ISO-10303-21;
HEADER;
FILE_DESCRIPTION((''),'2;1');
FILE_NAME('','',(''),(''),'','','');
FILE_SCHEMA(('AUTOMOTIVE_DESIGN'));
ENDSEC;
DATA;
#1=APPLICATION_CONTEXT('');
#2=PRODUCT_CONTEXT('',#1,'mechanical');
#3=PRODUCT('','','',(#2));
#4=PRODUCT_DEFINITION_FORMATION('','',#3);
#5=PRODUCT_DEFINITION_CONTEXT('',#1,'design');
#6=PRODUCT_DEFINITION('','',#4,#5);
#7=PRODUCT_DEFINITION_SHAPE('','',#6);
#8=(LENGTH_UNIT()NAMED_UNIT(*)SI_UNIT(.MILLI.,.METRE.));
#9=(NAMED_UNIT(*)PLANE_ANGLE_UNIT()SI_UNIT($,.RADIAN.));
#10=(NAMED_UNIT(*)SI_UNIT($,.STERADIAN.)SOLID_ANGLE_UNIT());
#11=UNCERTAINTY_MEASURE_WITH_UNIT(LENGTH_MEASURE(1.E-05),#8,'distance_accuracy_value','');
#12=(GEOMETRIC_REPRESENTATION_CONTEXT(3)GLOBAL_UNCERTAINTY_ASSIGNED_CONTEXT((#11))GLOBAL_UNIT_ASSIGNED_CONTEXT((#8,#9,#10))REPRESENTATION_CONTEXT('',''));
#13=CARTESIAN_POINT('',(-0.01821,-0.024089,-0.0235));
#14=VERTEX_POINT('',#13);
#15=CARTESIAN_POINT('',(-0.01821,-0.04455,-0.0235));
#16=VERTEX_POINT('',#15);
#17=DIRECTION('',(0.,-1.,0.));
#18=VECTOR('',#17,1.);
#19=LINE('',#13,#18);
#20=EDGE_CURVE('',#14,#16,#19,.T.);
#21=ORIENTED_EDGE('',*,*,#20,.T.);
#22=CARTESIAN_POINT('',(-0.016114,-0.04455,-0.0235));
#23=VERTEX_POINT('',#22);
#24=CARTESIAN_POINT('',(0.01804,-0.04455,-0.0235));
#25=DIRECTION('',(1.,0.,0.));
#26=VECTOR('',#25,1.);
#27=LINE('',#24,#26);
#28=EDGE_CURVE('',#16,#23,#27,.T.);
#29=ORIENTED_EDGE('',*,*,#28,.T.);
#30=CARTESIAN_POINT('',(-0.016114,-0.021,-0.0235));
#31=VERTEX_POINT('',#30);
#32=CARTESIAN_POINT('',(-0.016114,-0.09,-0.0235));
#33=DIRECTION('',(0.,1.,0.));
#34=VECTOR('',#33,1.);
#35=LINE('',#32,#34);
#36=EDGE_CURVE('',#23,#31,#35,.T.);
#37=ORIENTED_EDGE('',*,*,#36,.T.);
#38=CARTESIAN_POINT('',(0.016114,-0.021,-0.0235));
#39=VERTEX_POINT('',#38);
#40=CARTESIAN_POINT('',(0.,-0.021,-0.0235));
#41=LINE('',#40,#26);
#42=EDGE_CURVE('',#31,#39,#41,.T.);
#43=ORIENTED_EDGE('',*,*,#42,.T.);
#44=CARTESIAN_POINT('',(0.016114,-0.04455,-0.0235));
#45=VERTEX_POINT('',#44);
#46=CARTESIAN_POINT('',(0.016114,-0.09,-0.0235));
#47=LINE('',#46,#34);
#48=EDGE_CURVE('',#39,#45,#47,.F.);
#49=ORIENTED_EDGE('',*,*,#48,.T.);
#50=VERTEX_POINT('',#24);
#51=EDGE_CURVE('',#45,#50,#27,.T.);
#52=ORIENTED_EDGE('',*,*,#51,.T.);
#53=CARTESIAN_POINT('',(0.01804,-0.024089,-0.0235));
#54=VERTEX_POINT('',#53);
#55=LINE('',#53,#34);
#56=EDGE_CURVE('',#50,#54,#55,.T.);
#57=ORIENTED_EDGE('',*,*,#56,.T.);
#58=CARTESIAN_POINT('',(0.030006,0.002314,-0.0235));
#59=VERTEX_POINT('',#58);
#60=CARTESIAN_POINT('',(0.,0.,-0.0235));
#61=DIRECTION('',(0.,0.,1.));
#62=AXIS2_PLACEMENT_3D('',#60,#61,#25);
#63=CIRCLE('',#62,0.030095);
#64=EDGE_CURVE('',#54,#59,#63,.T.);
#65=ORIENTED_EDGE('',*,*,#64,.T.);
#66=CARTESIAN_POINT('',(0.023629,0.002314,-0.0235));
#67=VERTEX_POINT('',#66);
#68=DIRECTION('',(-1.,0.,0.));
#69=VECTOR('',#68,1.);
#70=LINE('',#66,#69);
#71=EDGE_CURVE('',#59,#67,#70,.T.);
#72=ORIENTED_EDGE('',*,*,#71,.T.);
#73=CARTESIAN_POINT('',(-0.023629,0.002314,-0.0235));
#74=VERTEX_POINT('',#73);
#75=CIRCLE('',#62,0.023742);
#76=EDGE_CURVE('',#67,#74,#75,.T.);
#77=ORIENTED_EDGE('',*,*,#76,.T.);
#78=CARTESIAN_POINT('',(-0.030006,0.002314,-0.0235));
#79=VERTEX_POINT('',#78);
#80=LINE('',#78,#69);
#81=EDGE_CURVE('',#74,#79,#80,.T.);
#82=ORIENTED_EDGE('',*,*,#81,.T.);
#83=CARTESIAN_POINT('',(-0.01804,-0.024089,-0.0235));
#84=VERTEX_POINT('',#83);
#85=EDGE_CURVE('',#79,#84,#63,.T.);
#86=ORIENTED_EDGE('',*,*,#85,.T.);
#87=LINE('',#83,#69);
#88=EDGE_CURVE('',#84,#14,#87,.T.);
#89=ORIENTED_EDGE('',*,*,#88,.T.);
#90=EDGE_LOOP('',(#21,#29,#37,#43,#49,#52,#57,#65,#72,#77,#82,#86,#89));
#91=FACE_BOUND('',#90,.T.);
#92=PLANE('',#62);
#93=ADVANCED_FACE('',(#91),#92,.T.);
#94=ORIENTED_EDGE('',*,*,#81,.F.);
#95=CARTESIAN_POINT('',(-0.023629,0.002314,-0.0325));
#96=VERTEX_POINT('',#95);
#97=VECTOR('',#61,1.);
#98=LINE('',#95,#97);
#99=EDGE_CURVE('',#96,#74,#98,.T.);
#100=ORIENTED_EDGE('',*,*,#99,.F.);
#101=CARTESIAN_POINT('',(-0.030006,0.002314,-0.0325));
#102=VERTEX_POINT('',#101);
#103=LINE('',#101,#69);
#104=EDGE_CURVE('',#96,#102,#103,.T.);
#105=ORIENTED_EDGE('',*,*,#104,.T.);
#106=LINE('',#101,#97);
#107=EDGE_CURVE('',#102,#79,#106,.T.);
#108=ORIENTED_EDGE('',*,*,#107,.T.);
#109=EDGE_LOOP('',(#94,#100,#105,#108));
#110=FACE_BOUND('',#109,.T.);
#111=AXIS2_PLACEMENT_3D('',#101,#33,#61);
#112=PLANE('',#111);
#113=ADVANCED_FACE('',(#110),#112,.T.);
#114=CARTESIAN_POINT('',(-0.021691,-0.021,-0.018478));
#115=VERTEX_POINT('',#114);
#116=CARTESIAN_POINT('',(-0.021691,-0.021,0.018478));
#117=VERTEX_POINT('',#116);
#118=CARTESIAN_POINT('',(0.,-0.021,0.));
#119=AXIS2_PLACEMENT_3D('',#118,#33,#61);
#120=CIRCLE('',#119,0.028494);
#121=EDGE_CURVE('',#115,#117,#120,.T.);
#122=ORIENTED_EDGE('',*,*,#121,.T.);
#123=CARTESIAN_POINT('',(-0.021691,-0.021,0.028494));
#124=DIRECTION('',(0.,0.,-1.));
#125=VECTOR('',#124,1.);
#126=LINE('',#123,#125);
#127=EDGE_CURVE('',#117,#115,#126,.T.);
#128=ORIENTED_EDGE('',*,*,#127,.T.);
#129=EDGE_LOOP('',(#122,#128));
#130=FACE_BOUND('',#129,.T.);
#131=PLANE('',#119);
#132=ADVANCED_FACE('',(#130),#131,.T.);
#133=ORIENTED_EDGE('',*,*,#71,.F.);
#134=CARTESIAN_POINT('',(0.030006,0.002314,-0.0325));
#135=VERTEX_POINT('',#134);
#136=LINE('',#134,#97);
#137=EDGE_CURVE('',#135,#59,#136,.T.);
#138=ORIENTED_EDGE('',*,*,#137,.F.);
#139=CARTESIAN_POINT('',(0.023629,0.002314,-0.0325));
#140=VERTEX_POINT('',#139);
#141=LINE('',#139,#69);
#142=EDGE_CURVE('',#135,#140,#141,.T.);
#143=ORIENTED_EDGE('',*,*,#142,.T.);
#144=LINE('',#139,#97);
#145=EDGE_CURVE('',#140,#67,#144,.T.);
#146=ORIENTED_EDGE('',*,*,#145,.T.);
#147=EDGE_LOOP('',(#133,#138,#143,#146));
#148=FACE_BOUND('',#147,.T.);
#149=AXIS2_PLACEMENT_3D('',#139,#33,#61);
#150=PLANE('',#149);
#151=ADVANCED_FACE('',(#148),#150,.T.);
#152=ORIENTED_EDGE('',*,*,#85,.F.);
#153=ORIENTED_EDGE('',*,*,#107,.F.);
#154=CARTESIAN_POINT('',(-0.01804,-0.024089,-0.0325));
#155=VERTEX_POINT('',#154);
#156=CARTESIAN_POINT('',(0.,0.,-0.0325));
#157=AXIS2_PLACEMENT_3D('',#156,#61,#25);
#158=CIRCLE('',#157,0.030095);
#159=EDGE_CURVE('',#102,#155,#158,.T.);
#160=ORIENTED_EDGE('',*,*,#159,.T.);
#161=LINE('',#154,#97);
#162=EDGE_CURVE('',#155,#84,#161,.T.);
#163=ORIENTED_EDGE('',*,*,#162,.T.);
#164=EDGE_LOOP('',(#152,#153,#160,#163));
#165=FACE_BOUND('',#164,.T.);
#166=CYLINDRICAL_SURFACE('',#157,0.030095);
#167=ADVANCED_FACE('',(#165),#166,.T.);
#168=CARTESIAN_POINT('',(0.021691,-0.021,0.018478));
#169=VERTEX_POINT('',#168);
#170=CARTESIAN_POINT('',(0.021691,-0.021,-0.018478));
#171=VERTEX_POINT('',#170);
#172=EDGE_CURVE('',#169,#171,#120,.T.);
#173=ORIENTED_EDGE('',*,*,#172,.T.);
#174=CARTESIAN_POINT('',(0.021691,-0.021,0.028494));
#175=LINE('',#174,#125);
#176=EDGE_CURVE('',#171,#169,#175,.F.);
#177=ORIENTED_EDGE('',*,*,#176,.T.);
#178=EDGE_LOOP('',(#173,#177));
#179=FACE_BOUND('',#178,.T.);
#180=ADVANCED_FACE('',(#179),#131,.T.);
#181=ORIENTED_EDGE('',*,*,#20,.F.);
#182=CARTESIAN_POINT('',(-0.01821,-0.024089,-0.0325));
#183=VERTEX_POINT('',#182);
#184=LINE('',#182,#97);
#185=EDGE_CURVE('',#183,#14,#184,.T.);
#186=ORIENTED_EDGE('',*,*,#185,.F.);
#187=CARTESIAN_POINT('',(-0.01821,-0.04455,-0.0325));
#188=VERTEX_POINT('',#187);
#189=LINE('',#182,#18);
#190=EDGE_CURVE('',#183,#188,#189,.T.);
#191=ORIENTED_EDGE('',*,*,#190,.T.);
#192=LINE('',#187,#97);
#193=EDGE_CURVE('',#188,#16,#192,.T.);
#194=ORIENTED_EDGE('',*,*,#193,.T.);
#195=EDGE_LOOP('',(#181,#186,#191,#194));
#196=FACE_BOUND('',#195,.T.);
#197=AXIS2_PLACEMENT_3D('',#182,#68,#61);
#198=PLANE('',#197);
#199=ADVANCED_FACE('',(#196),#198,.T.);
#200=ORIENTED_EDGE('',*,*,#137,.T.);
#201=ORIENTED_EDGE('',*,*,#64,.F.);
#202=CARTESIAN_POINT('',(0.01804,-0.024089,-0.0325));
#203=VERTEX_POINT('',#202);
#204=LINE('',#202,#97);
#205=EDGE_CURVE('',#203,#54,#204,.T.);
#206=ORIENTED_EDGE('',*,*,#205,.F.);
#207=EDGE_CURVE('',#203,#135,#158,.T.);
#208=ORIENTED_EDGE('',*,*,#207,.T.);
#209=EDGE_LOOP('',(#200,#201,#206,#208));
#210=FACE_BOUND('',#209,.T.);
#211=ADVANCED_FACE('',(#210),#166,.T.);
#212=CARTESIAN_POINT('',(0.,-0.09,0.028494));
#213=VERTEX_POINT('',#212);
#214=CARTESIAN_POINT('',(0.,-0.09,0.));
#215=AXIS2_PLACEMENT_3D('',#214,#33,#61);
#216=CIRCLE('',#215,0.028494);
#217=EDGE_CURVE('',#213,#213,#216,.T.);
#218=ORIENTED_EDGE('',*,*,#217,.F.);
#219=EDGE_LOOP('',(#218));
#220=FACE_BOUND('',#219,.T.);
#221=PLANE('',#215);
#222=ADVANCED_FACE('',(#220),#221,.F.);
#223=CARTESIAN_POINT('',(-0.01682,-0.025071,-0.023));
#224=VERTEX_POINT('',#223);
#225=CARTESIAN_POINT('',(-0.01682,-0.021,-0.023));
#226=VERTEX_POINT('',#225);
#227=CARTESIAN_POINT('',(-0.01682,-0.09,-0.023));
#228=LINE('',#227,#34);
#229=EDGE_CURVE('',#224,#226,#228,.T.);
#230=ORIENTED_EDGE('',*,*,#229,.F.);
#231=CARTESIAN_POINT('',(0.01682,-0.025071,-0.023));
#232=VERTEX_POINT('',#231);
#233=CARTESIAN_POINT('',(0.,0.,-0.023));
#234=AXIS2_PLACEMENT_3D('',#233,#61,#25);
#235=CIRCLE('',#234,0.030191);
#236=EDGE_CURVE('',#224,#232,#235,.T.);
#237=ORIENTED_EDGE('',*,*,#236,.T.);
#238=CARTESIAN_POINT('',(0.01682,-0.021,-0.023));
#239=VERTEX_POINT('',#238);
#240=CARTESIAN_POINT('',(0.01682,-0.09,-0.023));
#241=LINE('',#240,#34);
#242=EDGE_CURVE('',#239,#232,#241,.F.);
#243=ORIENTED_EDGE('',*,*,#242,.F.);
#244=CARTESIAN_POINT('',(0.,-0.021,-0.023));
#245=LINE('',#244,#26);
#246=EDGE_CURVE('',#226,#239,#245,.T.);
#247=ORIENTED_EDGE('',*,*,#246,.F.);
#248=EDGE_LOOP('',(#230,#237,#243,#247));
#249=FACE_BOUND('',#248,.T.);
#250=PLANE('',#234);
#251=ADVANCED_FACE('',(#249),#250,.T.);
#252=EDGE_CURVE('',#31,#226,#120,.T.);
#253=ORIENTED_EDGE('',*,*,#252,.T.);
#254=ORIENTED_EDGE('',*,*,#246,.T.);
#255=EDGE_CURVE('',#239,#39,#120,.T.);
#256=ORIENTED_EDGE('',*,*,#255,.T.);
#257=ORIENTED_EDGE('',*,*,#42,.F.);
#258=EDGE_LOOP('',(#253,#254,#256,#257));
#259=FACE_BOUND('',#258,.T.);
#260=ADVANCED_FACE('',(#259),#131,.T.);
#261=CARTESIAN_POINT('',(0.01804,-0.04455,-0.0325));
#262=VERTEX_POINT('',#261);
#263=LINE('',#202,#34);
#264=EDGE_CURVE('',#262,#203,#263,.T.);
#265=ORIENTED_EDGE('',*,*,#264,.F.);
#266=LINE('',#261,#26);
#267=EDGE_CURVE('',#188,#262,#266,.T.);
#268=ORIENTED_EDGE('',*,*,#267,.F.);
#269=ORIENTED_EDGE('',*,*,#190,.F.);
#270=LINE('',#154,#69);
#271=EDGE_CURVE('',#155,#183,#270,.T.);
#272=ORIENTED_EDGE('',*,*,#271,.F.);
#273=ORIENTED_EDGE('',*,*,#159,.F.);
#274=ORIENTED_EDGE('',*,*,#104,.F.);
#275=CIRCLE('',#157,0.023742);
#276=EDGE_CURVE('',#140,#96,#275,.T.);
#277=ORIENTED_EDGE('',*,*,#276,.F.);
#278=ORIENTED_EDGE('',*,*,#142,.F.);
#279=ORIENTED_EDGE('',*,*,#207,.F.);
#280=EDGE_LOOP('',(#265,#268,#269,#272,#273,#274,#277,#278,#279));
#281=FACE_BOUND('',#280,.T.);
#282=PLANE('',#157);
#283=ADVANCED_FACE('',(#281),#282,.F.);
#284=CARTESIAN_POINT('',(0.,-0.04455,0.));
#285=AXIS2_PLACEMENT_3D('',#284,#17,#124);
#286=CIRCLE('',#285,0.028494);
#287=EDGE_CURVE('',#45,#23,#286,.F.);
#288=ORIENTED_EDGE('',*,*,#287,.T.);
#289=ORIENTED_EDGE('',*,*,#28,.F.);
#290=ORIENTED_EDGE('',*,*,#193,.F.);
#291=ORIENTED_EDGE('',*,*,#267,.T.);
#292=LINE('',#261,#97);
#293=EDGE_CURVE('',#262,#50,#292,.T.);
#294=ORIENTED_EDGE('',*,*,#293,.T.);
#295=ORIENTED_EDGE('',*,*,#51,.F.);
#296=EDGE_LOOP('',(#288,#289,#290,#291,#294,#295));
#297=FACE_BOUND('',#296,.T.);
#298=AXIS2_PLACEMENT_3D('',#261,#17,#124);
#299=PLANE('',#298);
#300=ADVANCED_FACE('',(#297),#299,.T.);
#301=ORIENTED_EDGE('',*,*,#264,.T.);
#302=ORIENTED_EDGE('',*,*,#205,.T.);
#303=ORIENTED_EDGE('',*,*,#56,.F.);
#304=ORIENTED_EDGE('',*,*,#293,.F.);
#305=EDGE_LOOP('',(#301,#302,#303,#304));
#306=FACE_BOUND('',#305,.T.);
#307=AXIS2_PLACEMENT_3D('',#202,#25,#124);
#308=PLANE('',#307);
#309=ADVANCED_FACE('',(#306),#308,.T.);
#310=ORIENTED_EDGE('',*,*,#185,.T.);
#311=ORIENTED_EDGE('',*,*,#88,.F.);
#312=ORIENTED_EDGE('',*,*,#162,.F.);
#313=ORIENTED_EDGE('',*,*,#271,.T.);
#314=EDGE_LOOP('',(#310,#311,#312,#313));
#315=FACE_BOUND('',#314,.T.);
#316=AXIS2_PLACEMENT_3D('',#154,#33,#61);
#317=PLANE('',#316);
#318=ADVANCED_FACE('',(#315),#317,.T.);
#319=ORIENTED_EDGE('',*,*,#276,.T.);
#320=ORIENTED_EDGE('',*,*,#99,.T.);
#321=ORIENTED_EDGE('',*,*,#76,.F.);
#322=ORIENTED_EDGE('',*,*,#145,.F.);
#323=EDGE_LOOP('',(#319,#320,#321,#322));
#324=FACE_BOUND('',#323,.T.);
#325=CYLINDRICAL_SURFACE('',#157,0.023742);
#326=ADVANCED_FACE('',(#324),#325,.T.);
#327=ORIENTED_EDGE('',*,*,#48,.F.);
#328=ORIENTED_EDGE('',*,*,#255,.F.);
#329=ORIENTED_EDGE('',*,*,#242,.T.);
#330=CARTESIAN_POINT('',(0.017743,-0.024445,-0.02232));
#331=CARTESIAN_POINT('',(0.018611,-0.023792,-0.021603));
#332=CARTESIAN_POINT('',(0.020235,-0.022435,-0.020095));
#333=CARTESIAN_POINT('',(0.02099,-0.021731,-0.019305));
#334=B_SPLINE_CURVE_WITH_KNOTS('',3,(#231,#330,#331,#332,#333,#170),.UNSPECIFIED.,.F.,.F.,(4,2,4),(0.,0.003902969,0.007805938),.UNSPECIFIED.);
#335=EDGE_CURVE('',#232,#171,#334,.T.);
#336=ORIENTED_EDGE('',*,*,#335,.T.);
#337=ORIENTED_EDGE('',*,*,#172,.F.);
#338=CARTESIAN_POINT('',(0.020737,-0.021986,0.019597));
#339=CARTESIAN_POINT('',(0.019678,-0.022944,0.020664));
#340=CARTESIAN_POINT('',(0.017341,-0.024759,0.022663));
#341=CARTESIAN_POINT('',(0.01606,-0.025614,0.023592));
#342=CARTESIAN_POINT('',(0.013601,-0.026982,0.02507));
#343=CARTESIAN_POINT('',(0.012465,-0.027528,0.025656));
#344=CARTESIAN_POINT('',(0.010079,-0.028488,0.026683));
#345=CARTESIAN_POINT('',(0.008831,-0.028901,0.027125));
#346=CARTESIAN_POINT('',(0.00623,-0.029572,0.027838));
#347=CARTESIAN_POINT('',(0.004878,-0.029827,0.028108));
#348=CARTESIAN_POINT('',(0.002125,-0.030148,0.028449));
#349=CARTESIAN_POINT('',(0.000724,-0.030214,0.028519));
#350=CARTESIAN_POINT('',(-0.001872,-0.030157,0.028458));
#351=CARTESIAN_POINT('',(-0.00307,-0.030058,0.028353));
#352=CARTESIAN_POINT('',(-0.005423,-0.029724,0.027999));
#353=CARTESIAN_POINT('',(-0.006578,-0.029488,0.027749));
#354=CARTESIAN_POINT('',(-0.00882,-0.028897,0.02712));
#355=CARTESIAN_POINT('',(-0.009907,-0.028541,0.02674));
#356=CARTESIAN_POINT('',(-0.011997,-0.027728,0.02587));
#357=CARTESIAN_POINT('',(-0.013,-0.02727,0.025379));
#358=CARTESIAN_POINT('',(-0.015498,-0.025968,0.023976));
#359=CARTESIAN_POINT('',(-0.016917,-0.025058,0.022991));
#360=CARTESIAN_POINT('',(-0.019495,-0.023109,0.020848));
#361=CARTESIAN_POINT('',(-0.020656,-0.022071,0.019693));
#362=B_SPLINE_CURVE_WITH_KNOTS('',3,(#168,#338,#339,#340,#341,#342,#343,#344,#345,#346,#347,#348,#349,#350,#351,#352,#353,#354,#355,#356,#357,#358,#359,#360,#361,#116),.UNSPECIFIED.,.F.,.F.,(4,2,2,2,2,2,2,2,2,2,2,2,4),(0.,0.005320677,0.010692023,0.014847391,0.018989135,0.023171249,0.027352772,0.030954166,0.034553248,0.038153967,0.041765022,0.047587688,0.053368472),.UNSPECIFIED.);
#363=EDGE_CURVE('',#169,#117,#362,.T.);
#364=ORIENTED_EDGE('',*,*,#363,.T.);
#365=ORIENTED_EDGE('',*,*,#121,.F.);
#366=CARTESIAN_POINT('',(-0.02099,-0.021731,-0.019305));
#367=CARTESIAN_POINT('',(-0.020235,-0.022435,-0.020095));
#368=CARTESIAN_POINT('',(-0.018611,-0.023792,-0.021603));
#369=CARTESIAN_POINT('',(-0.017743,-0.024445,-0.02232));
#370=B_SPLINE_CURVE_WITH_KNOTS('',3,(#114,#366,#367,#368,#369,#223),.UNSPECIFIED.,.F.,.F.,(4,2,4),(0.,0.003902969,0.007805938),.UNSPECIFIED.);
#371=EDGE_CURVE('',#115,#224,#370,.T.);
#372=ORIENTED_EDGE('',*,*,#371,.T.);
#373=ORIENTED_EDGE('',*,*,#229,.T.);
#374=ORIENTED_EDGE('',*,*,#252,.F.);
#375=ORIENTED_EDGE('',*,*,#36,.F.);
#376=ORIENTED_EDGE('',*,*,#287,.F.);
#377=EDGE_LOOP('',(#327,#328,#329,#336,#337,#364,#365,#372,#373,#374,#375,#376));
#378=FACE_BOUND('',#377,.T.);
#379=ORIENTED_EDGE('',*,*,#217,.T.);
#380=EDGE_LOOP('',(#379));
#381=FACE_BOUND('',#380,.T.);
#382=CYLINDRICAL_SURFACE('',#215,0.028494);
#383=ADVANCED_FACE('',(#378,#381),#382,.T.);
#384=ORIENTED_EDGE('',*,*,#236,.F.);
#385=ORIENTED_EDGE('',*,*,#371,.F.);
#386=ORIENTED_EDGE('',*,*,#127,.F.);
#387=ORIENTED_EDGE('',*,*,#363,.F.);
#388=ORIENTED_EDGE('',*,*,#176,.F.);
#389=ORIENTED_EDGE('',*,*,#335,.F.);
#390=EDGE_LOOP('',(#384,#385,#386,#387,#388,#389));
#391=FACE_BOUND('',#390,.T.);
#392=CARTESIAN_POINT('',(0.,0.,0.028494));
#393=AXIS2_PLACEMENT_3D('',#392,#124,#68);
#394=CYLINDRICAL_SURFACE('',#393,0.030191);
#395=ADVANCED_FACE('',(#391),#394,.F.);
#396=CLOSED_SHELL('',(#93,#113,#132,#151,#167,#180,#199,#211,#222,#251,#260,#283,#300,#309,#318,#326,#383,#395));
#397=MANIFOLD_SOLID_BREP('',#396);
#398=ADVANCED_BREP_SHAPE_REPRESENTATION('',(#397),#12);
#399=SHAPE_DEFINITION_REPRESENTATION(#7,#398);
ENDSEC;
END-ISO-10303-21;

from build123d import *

# Parameters (mm, degrees)
BOSS_EXTRUDE1_START     = -0.021
SKETCH1_R               = 0.028494157
BOSS_EXTRUDE1_DEPTH     = 0.069
BOSS_EXTRUDE2_START     = -0.0235
BOSS_EXTRUDE2_DEPTH     = 0.009
CUT_EXTRUDE1_DEPTH      = 1.100309452
CUT_EXTRUDE1_DEPTH_BACK = 0.023
SKETCH3_R               = 0.030190841


with BuildPart() as part:
    # Sketch1 → Boss-Extrude1 (new body)
    with BuildSketch(Plane(origin=(0, 0, 0), x_dir=(1, 0, 0), z_dir=(0, 1, 0)).offset(BOSS_EXTRUDE1_START)):
        with Locations(Location((0, 0, 0), (0, 0, 270))):
            Circle(SKETCH1_R)
    extrude(amount=-BOSS_EXTRUDE1_DEPTH)

    # Sketch2 → Boss-Extrude2 (add)
    with BuildSketch(Plane.XY.offset(BOSS_EXTRUDE2_START)):
        with BuildLine():
            Line((-0.030006367, 0.002313885), (-0.023629396, 0.002313885))
            ThreePointArc((-0.023629396, 0.002313885), (0, 0.023742418), (0.023629396, 0.002313885))
            Line((0.023629396, 0.002313885), (0.030006367, 0.002313885))
            ThreePointArc((0.030006367, 0.002313885), (0.02741159, -0.012423398), (0.01803999, -0.02408931))
            Line((0.01803999, -0.02408931), (0.01803999, -0.044550196))
            Line((0.01803999, -0.044550196), (-0.018210349, -0.044550196))
            Line((-0.018210349, -0.044550196), (-0.01803999, -0.02408931))
            ThreePointArc((-0.01803999, -0.02408931), (-0.02741159, -0.012423398), (-0.030006367, 0.002313885))
        make_face()
    extrude(amount=-BOSS_EXTRUDE2_DEPTH)

    # Sketch3 → Cut-Extrude1 (cut, two sides: drawn at the far end of the back side and taken through both)
    with BuildSketch(Plane.XY.offset(-CUT_EXTRUDE1_DEPTH_BACK)):
        Circle(SKETCH3_R)
    extrude(amount=CUT_EXTRUDE1_DEPTH + CUT_EXTRUDE1_DEPTH_BACK, mode=Mode.SUBTRACT)


solid = part.part
